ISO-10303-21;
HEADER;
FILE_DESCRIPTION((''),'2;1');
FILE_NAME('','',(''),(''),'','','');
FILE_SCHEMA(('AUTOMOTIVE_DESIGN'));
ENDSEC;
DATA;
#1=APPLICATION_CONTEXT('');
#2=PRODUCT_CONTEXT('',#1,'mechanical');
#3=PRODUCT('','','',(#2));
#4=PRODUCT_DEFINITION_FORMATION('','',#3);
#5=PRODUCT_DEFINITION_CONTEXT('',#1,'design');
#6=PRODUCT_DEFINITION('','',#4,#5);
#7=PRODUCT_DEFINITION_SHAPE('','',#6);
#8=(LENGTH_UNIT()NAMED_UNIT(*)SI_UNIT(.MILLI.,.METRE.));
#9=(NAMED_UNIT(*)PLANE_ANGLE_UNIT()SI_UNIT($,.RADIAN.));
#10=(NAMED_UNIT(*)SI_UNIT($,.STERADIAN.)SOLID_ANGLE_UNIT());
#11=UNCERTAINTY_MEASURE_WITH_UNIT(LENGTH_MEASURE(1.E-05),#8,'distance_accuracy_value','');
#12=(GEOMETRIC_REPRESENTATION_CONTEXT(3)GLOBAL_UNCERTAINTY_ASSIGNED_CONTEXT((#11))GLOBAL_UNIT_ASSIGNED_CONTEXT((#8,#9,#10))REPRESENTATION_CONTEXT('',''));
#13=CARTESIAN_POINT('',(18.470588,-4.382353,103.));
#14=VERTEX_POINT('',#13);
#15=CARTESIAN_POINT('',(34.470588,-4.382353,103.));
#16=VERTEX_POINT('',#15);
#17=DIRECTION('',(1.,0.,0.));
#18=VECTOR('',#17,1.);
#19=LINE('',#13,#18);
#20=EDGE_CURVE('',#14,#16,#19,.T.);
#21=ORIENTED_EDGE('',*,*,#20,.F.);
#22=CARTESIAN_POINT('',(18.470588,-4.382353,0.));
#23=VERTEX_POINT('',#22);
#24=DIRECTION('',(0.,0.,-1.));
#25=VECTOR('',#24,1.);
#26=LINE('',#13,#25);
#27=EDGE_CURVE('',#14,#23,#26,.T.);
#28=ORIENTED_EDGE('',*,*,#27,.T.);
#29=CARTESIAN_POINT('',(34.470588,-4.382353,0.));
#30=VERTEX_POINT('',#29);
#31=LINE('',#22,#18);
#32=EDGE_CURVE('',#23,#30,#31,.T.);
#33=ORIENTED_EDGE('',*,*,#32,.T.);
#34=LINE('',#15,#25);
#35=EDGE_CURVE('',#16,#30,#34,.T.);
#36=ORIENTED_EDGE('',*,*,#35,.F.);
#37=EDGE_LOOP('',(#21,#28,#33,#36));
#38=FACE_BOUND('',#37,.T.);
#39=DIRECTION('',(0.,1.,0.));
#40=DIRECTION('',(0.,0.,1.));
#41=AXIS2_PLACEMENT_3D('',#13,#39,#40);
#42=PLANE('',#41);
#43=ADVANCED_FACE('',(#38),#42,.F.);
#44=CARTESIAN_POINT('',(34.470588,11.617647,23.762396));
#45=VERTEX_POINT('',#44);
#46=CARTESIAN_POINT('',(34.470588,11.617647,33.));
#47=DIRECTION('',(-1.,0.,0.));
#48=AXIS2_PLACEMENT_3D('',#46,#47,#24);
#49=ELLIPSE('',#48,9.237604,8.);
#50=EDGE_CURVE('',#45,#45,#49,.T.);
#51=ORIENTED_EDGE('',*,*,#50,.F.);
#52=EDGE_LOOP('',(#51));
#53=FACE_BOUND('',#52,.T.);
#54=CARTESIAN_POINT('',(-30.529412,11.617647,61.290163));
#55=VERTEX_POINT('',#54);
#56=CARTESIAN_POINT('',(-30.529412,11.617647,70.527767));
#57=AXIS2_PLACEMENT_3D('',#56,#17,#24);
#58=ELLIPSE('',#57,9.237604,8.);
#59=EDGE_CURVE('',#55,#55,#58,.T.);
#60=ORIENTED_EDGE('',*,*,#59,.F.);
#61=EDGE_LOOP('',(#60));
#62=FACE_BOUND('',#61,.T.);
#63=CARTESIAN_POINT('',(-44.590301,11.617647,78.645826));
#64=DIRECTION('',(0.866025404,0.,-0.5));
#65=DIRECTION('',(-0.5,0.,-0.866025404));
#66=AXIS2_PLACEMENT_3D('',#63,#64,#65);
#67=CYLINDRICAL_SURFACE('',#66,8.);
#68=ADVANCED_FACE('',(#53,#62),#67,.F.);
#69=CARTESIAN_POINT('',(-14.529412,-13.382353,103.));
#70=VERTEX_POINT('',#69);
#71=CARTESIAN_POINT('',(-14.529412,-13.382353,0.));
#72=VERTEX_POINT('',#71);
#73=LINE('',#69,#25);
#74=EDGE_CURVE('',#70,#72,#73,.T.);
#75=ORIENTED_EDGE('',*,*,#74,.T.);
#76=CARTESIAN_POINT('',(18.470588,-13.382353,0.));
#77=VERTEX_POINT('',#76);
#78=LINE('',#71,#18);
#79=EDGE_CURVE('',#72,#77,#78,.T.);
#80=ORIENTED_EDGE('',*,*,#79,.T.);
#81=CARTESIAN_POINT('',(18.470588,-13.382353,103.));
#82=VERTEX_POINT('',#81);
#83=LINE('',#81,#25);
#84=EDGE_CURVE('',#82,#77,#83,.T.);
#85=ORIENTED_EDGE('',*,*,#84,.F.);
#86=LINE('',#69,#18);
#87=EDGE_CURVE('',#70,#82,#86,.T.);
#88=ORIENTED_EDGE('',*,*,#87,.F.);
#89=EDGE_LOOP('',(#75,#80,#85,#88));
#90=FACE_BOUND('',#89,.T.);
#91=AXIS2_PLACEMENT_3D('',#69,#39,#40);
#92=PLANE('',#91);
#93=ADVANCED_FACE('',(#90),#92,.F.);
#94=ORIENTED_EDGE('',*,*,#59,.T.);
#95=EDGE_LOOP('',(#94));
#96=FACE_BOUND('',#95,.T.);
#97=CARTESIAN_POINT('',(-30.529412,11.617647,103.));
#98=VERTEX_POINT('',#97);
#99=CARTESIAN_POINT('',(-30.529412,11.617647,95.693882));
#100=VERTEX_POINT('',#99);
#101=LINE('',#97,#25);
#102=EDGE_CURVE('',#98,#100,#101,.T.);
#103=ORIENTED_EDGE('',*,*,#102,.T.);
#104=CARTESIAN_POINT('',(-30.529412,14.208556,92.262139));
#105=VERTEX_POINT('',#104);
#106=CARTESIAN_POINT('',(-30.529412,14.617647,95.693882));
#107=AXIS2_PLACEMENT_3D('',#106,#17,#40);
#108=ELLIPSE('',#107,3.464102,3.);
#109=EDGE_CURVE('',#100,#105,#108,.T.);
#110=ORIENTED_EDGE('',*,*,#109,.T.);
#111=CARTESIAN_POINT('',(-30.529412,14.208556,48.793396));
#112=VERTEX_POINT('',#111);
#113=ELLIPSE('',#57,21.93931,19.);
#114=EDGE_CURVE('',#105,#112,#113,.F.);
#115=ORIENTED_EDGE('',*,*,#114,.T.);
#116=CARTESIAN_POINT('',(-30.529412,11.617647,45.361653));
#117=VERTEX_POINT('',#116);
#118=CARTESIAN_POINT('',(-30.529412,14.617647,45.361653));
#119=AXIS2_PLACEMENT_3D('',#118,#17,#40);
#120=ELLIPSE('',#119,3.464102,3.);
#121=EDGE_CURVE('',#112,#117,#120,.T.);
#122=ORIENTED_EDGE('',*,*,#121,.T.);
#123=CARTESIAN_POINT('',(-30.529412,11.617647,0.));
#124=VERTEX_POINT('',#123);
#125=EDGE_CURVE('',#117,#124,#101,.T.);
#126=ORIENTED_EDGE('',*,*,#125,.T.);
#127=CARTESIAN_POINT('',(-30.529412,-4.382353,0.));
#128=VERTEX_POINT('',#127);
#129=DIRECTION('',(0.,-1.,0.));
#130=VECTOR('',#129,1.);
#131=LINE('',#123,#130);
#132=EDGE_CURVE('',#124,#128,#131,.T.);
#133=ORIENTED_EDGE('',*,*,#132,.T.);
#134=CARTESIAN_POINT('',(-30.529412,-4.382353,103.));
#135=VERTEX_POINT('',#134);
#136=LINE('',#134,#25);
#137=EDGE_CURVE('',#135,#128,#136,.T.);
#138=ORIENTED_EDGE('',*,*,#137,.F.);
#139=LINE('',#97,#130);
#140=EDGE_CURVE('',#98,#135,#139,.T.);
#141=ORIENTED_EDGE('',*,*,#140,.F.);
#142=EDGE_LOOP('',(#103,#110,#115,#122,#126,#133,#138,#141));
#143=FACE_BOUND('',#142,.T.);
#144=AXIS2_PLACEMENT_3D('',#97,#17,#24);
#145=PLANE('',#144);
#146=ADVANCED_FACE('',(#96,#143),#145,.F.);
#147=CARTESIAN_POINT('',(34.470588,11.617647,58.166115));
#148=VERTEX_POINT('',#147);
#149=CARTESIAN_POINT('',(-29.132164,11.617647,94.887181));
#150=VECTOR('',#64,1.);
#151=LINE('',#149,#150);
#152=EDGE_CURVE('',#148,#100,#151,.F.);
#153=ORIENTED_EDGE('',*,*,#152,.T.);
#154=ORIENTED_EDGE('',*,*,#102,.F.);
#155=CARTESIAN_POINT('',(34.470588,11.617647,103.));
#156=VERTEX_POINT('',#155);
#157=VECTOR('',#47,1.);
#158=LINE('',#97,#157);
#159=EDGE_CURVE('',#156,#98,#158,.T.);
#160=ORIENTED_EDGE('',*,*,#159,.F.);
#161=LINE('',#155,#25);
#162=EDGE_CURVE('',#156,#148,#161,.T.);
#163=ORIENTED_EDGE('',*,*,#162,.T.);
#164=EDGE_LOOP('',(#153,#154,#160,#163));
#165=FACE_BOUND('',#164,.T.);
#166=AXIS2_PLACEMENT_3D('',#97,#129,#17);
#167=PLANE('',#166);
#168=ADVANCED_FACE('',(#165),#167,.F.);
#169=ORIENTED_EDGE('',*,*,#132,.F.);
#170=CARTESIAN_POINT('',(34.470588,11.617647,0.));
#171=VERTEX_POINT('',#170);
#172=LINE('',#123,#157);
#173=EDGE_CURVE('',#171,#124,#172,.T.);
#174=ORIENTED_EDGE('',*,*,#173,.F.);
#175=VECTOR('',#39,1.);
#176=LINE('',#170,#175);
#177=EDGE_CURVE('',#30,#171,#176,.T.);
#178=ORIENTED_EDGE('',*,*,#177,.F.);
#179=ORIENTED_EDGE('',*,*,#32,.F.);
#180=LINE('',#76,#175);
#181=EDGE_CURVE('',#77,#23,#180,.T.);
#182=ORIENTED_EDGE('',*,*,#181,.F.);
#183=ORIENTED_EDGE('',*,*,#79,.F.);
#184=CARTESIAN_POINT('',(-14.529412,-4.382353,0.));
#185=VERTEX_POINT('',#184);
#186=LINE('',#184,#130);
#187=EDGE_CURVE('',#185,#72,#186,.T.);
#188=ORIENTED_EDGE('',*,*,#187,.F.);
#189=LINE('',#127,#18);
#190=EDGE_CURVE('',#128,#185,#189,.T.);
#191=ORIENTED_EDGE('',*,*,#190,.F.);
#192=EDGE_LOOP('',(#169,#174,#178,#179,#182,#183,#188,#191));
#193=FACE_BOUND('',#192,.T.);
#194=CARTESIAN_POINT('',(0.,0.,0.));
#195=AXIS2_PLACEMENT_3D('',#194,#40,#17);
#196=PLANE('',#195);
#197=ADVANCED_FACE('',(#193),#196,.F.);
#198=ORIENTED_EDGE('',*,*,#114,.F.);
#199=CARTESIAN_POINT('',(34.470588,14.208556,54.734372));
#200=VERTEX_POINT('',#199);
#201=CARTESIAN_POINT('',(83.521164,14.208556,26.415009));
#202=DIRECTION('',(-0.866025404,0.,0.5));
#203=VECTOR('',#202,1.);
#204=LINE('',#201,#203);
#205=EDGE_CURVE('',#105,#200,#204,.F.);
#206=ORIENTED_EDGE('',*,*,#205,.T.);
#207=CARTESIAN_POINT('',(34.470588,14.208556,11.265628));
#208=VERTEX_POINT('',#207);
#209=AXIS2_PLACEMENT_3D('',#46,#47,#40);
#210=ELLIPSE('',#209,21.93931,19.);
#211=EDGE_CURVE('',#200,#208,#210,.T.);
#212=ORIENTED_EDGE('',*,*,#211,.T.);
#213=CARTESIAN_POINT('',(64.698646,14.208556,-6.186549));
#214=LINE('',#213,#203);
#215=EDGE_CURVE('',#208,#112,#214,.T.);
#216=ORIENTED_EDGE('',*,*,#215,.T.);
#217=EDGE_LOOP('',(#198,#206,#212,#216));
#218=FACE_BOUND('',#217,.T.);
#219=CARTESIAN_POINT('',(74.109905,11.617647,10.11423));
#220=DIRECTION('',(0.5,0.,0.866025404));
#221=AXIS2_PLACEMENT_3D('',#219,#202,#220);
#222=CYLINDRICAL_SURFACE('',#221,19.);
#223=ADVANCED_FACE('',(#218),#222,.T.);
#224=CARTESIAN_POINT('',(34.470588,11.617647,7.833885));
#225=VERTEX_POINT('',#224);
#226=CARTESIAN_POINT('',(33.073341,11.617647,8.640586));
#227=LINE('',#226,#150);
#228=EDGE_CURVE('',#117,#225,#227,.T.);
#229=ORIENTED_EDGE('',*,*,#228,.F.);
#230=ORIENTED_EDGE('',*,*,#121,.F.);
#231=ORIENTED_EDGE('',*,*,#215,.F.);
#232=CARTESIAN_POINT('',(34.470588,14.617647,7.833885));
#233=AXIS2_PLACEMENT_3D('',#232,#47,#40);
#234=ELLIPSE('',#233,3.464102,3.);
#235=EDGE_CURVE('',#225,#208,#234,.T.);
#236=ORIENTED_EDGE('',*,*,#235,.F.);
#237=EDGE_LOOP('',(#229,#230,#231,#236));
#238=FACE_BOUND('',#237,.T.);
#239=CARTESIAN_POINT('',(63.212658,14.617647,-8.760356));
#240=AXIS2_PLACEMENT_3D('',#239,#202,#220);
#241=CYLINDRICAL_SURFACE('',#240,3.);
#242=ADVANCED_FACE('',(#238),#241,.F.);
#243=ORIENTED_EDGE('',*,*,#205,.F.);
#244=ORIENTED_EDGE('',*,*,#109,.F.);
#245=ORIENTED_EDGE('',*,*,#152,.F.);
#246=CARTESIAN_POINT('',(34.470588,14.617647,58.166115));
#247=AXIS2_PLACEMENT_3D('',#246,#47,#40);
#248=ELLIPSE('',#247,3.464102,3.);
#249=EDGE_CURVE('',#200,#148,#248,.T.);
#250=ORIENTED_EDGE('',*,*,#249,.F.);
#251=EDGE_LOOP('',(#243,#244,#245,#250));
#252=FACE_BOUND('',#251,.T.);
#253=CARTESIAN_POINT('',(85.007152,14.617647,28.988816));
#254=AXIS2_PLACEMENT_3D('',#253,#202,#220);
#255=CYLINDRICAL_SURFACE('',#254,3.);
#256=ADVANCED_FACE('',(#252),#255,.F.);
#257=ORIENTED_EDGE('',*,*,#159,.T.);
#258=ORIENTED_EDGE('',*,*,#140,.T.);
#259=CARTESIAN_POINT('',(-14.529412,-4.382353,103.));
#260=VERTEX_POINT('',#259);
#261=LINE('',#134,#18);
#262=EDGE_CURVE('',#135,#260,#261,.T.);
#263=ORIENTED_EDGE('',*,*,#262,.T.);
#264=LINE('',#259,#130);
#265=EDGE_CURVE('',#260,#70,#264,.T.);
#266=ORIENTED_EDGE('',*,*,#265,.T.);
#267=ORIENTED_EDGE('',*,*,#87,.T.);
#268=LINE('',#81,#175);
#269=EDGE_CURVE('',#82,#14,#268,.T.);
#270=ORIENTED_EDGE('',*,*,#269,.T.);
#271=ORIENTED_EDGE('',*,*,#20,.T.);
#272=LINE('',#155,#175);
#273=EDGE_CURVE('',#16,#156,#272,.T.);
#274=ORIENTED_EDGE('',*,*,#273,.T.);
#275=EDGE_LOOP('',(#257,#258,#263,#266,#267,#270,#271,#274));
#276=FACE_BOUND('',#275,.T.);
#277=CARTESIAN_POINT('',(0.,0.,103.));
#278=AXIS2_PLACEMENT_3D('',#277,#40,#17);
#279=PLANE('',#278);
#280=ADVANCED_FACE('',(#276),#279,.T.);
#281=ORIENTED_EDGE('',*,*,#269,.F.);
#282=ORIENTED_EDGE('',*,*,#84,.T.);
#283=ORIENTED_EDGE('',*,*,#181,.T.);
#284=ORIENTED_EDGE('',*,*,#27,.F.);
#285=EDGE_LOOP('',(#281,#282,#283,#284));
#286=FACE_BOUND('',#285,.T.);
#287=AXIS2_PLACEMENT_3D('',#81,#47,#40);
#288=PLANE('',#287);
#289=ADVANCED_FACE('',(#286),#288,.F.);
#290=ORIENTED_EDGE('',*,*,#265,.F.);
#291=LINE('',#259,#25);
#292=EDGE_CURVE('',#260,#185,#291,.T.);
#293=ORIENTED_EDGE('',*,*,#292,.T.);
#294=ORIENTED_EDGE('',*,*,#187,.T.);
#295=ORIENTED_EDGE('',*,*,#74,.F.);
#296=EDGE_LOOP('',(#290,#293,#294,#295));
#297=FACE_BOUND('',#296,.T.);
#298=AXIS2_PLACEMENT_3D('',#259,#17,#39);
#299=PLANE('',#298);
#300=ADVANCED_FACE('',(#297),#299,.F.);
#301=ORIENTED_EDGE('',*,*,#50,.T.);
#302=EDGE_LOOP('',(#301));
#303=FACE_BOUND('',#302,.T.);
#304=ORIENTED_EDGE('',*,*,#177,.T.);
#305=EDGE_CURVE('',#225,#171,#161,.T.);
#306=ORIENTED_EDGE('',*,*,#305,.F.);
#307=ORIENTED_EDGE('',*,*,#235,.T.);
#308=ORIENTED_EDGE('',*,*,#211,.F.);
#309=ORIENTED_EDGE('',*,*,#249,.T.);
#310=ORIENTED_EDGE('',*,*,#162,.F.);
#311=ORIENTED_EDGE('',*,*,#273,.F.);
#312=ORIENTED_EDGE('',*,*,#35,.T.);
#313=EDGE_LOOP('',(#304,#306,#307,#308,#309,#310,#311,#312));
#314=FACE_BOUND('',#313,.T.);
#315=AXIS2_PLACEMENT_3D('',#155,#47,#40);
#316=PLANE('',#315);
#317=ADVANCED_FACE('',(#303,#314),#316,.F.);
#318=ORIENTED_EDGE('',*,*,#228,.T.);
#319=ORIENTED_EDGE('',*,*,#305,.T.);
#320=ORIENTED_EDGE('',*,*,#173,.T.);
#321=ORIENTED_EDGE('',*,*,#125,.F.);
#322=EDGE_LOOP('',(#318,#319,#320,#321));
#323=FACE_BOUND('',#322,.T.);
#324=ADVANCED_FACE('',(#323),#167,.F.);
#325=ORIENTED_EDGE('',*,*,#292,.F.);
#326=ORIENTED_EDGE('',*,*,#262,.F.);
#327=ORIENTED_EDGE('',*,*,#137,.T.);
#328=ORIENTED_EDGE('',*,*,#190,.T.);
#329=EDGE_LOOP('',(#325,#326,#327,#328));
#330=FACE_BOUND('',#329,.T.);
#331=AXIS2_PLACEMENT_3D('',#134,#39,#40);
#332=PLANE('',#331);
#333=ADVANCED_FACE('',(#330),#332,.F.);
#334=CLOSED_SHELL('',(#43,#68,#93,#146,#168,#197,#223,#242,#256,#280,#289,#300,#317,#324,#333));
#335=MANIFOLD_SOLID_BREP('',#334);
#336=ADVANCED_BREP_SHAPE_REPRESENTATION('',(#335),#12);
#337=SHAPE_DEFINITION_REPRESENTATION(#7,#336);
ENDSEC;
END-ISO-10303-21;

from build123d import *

# Parameters (mm, degrees)
BOSS_EXTRUDE1_DEPTH             = 103
BOSS_EXTRUDE4_REACH             = 109.274
BOSS_EXTRUDE4_DIRECTION_2_REACH = 109.274
CUT_EXTRUDE1_DEPTH              = 111.752171083
CUT_EXTRUDE1_DEPTH_BACK         = 111.752171083
SKETCH4_R                       = 8
FILLET1_R                       = 3


with BuildPart() as part:
    # Sketch2 → Boss-Extrude1 (new body)
    with BuildSketch(Plane.XY):
        Polygon((-14.529411765, -4.382352941), (-14.529411765, -13.382352941), (18.470588235, -13.382352941), (18.470588235, -4.382352941), (34.470588235, -4.382352941), (34.470588235, 11.617647059), (-30.529411765, 11.617647059), (-30.529411765, -4.382352941), align=None)
    extrude(amount=BOSS_EXTRUDE1_DEPTH)

    # Boss-Extrude4: up to this plane
    boss_extrude4_end = Plane(origin=(34.470588235, 11.617647059, 103), z_dir=(-1, 0, 0))
    # Sketch3 → Boss-Extrude4 (add, up to the surface)
    with BuildSketch(Plane(origin=(-18.747367118, 0, 10.823797452), x_dir=(0, 1, 0), z_dir=(0.866025403784438, 0, -0.500000000000001)), mode=Mode.PRIVATE) as boss_extrude4_sk1:
        with BuildLine():
            Line((11.617647059, 64.814132443), (11.617647059, 26.814132443))
            ThreePointArc((11.617647059, 26.814132443), (30.617647059, 45.814132443), (11.617647059, 64.814132443))
        make_face()
    boss_extrude4_tool1 = split(extrude(boss_extrude4_sk1.sketch, amount=BOSS_EXTRUDE4_REACH, mode=Mode.PRIVATE), bisect_by=boss_extrude4_end, keep=Keep.BOTH, mode=Mode.PRIVATE)
    add(boss_extrude4_tool1.solids().sort_by_distance((4.159699, 19.681498, 50.5))[0])

    # Boss-Extrude4 direction 2: up to this plane
    boss_extrude4_direction_2_end = Plane(origin=(-30.529411765, 11.617647059, 103), z_dir=(1, 0, 0))
    # Sketch3 → Boss-Extrude4 direction 2 (add, up to the surface)
    with BuildSketch(Plane(origin=(-18.747367118, 0, 10.823797452), x_dir=(0, 1, 0), z_dir=(0.866025403784438, 0, -0.500000000000001)), mode=Mode.PRIVATE) as boss_extrude4_direction_2_sk1:
        with BuildLine():
            Line((11.617647059, 64.814132443), (11.617647059, 26.814132443))
            ThreePointArc((11.617647059, 26.814132443), (30.617647059, 45.814132443), (11.617647059, 64.814132443))
        make_face()
    boss_extrude4_direction_2_tool1 = split(extrude(boss_extrude4_direction_2_sk1.sketch, amount=-BOSS_EXTRUDE4_DIRECTION_2_REACH, mode=Mode.PRIVATE), bisect_by=boss_extrude4_direction_2_end, keep=Keep.BOTH, mode=Mode.PRIVATE)
    add(boss_extrude4_direction_2_tool1.solids().sort_by_distance((4.159699, 19.681498, 50.5))[0])

    # Sketch4 → Cut-Extrude1 (cut, two sides: drawn at the far end of the back side and taken through both)
    with BuildSketch(Plane(origin=(-18.747367118, 0, 10.823797452), x_dir=(0, 1, 0), z_dir=(0.866025403784438, 0, -0.500000000000001)).offset(-CUT_EXTRUDE1_DEPTH_BACK)):
        with Locations(Location((11.617647059, 45.814132443, 0), (0, 0, 270))):
            Circle(SKETCH4_R)
    extrude(amount=CUT_EXTRUDE1_DEPTH + CUT_EXTRUDE1_DEPTH_BACK, mode=Mode.SUBTRACT)

    # Fillet1
    fillet1_edges = [part.edges().sort_by_distance(p)[0] for p in [
        (1.970588235, 11.617647059, 73.703193978),
        (1.970588235, 11.617647059, 29.824573519),
    ]]
    fillet(fillet1_edges, radius=FILLET1_R)


solid = part.part
